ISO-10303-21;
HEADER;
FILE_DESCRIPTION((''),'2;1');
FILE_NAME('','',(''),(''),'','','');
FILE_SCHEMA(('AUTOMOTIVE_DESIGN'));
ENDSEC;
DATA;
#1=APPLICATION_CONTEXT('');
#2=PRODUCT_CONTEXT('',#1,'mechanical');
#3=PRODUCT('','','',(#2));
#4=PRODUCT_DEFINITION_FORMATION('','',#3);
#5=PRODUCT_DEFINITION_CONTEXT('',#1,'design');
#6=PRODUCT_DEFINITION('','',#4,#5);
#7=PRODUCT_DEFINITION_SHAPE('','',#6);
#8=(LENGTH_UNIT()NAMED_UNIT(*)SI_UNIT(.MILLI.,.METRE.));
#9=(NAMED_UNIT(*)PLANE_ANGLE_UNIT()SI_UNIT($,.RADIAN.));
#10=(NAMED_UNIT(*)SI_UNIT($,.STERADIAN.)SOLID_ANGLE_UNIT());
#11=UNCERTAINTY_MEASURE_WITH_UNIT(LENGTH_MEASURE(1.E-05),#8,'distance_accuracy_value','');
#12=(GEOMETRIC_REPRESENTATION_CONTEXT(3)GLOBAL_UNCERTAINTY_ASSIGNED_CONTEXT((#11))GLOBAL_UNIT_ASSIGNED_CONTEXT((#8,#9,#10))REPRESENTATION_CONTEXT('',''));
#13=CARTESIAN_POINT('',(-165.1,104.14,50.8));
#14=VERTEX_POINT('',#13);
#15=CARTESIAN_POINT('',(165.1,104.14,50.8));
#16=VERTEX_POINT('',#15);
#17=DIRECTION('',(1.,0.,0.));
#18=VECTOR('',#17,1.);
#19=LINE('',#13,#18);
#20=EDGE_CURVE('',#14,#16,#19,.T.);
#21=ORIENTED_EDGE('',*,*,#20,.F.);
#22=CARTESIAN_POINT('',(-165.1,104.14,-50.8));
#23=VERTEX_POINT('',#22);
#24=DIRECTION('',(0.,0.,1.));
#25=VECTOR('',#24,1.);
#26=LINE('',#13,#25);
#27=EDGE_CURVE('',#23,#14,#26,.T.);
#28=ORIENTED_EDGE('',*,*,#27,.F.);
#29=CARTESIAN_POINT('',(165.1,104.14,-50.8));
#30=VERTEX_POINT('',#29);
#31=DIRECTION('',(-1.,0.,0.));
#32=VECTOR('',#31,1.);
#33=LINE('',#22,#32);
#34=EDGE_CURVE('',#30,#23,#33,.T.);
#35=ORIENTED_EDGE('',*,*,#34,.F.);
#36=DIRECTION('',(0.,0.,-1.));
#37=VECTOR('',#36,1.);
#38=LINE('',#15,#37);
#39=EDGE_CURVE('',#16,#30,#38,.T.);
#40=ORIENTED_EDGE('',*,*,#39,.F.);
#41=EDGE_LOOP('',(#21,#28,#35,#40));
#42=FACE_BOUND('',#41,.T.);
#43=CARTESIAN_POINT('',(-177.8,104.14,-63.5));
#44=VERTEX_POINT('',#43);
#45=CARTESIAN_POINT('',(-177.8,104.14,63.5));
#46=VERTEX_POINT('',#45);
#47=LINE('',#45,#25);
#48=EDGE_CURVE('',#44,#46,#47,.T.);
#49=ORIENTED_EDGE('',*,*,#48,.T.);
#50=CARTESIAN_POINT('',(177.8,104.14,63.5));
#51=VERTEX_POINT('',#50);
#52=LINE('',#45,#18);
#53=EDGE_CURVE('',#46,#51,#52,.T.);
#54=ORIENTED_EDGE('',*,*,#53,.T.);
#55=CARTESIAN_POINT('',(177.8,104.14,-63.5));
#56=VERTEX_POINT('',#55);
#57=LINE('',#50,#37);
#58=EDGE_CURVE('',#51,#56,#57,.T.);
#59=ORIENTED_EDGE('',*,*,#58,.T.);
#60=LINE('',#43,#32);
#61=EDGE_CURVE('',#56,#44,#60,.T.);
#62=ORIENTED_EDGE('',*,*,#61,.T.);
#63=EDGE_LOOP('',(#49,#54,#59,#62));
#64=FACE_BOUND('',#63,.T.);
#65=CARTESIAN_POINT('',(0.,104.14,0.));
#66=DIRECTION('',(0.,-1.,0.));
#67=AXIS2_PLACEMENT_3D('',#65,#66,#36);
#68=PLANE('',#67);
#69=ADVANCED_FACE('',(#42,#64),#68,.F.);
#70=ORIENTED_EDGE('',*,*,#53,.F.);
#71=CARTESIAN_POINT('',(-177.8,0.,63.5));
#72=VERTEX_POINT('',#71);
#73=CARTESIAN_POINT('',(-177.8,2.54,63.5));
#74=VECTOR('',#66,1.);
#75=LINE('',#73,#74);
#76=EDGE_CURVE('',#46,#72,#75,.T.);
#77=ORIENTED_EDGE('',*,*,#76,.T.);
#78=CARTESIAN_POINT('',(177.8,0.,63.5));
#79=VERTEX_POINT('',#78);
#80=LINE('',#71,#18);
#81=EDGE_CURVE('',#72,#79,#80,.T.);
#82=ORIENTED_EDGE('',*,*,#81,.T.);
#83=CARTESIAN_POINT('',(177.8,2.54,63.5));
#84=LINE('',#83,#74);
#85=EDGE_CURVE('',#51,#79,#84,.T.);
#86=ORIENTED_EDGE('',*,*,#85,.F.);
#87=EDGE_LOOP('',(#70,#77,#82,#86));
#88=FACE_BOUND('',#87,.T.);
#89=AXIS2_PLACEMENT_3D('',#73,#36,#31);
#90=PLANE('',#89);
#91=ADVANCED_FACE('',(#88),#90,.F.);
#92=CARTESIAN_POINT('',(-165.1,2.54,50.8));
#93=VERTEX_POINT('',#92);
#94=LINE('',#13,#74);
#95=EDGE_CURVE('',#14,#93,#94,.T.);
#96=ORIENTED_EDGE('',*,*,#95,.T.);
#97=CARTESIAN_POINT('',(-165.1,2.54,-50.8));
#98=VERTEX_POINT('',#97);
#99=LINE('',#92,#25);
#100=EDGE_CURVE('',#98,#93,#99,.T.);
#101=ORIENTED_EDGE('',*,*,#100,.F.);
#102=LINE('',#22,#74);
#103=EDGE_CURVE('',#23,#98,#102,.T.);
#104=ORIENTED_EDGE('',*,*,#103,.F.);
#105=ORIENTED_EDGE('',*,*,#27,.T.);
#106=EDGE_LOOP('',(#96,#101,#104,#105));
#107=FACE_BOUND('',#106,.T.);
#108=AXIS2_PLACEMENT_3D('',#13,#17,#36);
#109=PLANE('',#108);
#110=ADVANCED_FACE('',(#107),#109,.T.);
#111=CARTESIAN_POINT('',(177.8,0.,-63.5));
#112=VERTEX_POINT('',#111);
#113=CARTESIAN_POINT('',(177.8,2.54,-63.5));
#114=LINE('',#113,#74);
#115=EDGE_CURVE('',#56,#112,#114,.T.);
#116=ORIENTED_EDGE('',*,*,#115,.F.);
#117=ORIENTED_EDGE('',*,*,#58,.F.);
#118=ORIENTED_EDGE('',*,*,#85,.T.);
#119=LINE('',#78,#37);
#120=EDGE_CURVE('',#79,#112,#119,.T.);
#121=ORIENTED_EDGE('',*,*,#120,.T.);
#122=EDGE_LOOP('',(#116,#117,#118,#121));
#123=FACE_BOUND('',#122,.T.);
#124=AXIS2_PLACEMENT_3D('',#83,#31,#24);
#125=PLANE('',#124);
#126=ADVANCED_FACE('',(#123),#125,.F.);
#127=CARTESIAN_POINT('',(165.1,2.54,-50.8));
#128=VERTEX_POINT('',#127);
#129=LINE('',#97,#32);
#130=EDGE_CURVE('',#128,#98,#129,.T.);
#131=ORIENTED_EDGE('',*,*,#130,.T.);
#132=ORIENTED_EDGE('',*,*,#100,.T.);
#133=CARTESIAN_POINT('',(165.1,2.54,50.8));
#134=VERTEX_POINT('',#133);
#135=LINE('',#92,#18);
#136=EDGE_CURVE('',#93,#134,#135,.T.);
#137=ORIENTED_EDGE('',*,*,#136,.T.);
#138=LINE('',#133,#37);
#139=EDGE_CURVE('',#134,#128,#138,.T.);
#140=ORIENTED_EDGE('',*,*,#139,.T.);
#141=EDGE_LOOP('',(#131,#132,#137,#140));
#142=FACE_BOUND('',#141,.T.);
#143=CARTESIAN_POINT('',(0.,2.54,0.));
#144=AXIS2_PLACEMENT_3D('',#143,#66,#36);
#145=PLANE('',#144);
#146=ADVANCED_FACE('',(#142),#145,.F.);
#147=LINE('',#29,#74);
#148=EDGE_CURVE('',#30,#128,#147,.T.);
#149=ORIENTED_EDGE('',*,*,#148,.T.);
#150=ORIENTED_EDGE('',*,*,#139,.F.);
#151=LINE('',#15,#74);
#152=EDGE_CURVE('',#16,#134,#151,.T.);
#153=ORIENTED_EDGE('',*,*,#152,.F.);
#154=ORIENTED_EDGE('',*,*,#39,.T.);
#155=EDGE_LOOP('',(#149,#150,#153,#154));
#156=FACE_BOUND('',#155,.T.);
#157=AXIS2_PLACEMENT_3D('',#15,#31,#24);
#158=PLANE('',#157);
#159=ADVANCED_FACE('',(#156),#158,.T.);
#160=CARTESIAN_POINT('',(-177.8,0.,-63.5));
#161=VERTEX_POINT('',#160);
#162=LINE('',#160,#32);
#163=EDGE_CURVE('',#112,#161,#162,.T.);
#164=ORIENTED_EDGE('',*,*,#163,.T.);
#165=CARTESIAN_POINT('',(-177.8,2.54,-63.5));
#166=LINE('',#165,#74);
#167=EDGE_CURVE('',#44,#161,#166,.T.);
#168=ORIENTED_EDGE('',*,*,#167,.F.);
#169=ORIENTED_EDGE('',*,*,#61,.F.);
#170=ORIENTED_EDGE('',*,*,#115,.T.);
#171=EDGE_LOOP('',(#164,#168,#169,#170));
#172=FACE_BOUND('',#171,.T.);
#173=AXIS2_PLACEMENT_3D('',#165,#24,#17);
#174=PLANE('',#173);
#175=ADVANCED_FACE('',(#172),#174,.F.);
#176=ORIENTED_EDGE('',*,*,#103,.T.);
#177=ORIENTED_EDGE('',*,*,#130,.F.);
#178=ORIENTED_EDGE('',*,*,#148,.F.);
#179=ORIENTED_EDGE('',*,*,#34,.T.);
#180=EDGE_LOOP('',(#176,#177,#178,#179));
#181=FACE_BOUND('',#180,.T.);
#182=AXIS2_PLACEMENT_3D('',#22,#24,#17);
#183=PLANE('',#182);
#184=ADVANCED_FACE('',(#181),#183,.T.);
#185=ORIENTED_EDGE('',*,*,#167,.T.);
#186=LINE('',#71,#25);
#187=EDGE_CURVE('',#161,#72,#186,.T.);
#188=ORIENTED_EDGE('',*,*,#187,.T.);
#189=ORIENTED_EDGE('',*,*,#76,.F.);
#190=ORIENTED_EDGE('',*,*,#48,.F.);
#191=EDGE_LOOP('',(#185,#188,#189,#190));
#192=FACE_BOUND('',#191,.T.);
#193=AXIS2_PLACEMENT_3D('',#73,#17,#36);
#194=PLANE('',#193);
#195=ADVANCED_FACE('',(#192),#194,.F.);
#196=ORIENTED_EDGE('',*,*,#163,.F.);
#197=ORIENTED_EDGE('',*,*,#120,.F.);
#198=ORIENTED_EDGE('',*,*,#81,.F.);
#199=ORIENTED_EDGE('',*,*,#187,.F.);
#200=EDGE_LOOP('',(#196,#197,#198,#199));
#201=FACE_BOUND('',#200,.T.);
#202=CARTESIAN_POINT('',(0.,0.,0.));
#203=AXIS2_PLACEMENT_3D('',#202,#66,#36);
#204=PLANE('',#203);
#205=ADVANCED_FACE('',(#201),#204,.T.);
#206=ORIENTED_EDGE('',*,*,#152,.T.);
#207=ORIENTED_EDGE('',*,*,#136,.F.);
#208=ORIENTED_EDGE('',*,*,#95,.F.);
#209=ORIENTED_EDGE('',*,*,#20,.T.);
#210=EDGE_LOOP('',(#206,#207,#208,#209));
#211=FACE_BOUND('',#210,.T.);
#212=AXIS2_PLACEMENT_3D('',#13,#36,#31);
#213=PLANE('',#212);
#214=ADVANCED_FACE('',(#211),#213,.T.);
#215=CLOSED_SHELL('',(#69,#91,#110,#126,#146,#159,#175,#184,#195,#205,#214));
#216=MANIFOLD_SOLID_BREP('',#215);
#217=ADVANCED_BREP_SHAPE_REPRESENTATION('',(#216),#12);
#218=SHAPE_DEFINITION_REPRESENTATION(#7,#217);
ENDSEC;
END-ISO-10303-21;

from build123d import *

# Parameters (mm, degrees)
SKETCH1_W           = 355.6
SKETCH1_H           = 127
BOSS_EXTRUDE1_DEPTH = 2.54
SKETCH2_W           = 355.6
SKETCH2_H           = 127
SKETCH2_W_2         = 330.2
SKETCH2_H_2         = 101.6
BOSS_EXTRUDE2_DEPTH = 101.6


with BuildPart() as part:
    # Sketch1 → Boss-Extrude1 (new body)
    with BuildSketch(Plane(origin=(0, 0, 0), x_dir=(1, 0, 0), z_dir=(0, 1, 0))):
        Rectangle(SKETCH1_W, SKETCH1_H)
    extrude(amount=BOSS_EXTRUDE1_DEPTH)

    # Sketch2 → Boss-Extrude2 (add)
    with BuildSketch(Plane(origin=(0, 2.54, 0), x_dir=(1, 0, 0), z_dir=(0, 1, 0))):
        Rectangle(SKETCH2_W, SKETCH2_H)
        Rectangle(SKETCH2_W_2, SKETCH2_H_2, mode=Mode.SUBTRACT)
    extrude(amount=BOSS_EXTRUDE2_DEPTH)


solid = part.part
